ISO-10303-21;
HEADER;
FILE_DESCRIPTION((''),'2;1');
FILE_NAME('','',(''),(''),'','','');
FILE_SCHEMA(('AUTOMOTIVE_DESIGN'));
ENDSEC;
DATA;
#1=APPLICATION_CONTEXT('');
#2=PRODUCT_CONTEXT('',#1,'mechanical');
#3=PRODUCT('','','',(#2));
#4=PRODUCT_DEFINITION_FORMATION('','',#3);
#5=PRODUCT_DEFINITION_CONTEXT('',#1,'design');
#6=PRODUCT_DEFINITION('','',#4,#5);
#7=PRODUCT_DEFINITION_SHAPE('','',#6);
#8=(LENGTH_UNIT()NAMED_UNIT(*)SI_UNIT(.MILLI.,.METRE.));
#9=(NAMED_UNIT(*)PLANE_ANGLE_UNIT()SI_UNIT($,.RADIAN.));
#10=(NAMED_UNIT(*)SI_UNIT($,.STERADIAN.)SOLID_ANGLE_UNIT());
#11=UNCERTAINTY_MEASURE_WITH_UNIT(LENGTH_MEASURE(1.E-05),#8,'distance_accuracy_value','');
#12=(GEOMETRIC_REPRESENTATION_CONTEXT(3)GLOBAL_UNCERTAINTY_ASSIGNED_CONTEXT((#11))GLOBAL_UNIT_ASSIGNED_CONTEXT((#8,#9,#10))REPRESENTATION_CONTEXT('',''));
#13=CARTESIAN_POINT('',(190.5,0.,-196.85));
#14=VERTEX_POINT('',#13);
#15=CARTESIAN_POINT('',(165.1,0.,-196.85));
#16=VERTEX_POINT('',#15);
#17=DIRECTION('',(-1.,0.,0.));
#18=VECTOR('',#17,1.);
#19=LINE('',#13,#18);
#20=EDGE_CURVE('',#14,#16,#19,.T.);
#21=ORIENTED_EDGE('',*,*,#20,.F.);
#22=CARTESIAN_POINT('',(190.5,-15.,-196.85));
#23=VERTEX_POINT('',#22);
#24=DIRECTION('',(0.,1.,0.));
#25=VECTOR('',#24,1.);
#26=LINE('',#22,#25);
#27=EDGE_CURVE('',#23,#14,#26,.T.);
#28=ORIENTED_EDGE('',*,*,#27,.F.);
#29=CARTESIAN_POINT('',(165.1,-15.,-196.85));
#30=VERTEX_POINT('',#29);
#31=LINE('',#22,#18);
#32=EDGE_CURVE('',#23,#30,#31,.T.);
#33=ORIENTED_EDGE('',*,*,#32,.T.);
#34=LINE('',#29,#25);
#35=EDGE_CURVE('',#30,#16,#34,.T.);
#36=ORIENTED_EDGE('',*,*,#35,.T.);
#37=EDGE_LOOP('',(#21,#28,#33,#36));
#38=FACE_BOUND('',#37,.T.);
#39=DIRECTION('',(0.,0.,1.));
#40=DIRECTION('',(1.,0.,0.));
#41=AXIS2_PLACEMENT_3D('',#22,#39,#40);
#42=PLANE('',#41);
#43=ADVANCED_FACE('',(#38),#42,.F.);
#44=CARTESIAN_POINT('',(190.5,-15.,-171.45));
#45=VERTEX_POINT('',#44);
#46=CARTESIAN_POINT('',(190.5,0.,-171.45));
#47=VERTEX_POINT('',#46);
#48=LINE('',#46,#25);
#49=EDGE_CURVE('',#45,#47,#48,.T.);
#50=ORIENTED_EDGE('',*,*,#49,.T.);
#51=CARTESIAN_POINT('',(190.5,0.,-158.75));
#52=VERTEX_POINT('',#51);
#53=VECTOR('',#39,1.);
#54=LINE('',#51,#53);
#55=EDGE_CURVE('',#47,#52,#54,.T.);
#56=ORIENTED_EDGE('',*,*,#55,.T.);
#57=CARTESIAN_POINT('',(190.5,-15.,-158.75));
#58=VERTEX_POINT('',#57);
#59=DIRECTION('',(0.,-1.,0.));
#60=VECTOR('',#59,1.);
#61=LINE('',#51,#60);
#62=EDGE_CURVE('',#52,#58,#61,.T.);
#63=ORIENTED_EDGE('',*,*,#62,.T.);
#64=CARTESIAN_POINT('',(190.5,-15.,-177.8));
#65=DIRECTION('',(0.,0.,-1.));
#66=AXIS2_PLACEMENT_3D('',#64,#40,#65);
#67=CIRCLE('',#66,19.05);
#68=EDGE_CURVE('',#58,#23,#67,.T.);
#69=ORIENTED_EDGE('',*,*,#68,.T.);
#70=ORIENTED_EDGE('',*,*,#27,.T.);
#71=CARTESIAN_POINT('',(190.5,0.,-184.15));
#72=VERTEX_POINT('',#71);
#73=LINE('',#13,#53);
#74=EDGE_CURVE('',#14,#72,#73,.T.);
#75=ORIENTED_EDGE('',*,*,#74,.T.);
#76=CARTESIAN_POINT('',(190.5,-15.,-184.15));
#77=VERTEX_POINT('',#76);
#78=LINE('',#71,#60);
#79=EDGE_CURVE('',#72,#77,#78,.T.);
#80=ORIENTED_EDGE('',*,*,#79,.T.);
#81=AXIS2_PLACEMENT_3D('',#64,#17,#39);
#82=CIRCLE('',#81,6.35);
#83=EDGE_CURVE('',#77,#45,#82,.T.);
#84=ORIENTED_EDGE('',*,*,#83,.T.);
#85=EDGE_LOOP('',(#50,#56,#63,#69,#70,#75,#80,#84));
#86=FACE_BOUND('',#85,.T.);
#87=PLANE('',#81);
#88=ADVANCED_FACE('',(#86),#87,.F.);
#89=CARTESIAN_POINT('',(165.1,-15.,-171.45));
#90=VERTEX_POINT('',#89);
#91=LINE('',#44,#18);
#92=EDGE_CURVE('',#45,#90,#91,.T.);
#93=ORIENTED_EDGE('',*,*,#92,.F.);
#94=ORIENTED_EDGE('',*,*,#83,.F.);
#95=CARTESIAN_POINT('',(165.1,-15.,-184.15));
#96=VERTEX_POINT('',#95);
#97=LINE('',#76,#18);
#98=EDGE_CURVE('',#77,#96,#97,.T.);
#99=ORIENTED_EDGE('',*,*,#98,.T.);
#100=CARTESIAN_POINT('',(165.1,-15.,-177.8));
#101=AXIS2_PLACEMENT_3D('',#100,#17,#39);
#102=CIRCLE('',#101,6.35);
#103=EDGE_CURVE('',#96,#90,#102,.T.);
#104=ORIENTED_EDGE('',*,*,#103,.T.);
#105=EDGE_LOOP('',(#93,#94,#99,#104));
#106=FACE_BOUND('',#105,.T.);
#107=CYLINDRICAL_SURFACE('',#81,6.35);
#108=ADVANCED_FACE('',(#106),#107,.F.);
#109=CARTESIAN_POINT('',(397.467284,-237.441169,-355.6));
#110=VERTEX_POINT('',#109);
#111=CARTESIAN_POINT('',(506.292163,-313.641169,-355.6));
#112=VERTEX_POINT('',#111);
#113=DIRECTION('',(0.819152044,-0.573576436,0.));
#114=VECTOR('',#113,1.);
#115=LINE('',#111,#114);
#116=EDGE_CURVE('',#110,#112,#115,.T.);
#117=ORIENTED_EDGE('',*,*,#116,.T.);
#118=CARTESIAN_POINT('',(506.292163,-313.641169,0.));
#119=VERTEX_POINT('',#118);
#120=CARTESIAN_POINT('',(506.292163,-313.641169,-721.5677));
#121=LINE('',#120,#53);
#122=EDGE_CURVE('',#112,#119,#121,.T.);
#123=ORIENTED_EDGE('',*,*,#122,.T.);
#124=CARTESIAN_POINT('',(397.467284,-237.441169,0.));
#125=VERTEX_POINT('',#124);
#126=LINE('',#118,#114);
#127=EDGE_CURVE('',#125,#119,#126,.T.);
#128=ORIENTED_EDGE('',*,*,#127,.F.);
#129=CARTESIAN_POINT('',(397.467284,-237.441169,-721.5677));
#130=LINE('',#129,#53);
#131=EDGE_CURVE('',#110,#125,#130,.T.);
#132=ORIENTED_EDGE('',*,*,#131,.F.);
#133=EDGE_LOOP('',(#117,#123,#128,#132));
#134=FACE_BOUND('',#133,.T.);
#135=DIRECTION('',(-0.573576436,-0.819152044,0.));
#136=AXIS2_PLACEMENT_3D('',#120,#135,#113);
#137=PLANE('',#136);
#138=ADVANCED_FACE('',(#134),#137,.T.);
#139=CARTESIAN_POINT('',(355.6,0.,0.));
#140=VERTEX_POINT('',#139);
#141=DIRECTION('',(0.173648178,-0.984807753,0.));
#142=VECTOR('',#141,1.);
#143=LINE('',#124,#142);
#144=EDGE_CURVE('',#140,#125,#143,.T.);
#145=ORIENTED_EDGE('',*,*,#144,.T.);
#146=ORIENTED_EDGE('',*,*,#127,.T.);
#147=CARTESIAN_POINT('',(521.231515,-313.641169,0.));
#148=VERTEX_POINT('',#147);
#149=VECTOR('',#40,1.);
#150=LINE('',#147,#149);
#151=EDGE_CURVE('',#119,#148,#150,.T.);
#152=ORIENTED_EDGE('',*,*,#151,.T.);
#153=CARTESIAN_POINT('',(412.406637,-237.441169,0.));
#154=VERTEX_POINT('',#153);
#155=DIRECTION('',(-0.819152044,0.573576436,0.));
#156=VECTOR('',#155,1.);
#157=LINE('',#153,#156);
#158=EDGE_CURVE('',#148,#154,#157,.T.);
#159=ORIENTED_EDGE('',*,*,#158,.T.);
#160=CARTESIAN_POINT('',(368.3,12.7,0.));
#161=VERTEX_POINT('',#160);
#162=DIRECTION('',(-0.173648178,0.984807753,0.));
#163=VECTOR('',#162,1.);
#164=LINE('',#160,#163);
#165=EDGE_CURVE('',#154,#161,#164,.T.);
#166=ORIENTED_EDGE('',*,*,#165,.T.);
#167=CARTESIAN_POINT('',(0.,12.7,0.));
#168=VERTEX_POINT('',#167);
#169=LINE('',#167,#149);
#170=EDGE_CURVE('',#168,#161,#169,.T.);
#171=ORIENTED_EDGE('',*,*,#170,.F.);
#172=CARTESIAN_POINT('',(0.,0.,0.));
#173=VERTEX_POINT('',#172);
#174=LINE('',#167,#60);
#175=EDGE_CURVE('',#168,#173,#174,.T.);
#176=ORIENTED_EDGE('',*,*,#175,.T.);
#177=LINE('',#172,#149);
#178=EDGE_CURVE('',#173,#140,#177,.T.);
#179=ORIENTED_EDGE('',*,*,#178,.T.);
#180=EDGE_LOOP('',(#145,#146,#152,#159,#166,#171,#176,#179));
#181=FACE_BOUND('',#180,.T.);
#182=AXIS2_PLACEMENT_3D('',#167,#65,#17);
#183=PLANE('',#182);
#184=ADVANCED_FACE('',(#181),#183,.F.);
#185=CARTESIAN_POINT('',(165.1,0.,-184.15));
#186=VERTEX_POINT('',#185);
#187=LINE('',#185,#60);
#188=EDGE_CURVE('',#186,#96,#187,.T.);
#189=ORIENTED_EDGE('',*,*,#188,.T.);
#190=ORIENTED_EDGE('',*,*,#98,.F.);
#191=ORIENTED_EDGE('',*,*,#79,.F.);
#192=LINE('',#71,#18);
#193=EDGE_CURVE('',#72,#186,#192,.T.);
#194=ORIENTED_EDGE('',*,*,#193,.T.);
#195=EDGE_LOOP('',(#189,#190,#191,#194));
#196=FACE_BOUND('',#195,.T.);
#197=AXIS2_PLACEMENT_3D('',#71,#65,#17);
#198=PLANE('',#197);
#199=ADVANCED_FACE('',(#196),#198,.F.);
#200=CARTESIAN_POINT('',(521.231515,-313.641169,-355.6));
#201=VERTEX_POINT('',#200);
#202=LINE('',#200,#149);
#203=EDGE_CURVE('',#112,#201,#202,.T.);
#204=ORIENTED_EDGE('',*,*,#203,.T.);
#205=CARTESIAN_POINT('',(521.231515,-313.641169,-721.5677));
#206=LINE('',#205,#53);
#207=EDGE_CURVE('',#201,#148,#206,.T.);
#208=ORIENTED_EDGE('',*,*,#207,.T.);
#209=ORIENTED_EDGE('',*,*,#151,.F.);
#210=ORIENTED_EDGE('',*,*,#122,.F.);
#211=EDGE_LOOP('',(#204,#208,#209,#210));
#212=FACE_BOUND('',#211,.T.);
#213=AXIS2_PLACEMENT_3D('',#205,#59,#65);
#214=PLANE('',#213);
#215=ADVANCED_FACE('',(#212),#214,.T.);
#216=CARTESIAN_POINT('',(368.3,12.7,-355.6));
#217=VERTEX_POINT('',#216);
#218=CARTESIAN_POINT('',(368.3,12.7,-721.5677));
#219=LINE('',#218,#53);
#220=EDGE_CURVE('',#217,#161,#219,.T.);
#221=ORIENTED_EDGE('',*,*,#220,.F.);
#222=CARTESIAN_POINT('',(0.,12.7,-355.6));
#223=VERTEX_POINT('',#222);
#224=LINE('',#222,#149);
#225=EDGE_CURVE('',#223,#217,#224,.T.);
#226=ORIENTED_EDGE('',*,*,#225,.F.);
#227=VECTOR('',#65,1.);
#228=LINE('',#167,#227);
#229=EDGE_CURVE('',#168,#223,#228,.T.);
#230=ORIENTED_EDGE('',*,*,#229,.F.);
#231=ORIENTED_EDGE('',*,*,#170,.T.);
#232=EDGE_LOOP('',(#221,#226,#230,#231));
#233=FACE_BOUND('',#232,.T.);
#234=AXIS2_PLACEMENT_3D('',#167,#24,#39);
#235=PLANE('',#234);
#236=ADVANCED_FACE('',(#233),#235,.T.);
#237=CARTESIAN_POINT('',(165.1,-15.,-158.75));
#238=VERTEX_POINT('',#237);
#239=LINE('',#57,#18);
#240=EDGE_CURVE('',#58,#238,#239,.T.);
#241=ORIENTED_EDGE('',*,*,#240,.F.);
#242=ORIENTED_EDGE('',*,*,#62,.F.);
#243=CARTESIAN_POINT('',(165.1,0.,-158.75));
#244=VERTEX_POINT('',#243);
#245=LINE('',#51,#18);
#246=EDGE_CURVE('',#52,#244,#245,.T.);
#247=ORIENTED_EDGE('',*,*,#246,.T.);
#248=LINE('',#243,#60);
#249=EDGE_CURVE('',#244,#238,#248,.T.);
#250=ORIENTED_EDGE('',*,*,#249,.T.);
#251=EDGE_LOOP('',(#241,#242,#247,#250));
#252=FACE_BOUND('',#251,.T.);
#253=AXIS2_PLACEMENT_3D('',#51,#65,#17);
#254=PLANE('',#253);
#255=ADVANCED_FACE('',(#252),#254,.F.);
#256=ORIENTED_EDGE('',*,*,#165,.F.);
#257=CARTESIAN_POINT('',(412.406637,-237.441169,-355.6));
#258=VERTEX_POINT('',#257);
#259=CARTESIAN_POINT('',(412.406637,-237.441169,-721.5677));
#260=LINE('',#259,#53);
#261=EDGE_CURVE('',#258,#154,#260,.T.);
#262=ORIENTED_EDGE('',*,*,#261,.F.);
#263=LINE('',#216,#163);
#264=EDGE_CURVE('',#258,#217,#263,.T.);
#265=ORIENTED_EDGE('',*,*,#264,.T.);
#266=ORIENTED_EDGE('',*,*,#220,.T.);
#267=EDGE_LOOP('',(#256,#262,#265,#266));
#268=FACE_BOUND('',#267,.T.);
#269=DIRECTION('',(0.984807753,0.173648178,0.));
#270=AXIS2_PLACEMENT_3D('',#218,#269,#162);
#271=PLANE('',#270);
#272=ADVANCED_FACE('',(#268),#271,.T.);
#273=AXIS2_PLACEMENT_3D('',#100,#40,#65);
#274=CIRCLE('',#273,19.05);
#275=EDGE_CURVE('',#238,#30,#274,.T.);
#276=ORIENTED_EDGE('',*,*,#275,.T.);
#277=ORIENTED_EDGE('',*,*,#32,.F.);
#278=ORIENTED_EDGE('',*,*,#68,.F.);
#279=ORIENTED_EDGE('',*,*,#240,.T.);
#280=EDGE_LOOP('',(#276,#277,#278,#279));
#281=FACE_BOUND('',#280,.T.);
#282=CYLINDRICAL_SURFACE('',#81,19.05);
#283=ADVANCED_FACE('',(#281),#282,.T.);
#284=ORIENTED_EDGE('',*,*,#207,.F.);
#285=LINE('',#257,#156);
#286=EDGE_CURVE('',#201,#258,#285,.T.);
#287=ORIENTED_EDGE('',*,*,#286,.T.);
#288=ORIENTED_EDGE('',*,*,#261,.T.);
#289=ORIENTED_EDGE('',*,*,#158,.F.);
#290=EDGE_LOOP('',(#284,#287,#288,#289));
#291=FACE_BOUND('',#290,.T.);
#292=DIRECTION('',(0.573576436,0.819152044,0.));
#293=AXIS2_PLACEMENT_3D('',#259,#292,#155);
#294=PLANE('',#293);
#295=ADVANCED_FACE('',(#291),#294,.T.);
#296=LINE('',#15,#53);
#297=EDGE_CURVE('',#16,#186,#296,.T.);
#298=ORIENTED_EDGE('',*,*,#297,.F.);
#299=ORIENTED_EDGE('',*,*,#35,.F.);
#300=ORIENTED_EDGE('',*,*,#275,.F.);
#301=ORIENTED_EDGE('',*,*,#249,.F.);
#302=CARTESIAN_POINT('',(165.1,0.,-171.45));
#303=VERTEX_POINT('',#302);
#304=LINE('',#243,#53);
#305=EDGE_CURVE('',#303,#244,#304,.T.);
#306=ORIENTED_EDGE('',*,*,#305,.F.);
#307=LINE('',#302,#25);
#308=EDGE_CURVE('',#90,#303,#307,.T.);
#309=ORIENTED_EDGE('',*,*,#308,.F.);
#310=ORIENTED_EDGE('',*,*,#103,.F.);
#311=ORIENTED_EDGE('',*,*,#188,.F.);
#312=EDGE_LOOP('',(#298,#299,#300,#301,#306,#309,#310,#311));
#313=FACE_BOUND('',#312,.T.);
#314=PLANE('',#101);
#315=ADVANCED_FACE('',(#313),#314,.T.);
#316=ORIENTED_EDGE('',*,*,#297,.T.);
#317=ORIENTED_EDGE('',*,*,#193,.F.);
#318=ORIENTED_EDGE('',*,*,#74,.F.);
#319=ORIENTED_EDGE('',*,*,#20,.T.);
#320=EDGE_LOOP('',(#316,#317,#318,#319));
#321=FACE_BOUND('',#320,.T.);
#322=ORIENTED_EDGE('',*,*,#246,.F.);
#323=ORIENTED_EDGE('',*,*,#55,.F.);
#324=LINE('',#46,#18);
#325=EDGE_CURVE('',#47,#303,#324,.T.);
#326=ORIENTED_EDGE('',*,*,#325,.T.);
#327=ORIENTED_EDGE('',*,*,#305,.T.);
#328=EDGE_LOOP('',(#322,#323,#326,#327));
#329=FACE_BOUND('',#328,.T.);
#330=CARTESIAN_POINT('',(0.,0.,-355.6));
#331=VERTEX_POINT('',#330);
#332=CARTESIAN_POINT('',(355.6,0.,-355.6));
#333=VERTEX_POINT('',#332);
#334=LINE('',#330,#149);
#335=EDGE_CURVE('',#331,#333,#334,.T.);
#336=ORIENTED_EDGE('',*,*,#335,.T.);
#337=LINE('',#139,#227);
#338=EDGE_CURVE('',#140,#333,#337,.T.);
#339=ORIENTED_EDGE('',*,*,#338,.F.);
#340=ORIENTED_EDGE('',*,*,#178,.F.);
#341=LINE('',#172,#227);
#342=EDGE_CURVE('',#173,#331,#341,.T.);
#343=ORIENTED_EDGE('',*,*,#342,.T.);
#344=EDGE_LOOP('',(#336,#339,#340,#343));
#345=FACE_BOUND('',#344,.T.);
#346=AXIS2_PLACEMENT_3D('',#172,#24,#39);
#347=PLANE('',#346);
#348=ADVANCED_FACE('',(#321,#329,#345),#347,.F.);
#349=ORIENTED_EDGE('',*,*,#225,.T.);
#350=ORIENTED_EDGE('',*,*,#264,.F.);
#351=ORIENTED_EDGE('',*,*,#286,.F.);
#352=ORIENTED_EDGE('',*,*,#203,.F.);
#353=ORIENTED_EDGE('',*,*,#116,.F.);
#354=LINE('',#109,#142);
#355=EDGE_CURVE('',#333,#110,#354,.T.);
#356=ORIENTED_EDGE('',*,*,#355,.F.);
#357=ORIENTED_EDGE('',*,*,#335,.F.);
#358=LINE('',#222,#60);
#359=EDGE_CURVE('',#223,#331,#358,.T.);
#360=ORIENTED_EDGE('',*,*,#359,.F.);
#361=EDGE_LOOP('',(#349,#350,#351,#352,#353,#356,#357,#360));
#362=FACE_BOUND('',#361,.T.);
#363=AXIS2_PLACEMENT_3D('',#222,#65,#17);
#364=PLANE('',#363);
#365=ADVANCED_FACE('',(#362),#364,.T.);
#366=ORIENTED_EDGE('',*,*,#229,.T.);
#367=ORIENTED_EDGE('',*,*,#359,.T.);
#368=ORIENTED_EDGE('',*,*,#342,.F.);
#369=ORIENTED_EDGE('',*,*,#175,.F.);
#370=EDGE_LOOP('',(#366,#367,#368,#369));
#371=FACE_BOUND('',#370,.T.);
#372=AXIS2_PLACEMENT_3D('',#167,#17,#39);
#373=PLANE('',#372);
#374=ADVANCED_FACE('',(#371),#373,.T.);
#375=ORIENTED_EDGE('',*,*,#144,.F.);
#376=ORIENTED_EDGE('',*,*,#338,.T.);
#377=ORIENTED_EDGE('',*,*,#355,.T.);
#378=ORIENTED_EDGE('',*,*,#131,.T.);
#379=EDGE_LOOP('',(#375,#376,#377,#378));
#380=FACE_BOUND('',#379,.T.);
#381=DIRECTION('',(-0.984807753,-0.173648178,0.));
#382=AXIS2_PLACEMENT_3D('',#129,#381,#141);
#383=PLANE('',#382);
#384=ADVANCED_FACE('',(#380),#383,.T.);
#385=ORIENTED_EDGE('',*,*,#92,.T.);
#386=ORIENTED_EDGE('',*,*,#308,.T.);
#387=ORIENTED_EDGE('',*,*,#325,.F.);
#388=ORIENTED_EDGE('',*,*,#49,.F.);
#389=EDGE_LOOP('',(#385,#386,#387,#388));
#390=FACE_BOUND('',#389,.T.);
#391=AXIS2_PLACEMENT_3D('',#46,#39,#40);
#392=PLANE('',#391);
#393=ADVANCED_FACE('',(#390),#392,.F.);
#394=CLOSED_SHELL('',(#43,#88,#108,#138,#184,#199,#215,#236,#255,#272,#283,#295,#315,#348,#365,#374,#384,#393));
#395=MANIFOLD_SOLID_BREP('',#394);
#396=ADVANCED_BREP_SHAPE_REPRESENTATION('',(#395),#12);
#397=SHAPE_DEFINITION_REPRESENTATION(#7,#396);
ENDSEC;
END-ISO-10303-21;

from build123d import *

# Parameters (mm, degrees)
SKETCH1_W           = 355.6
SKETCH1_H           = 355.6
BOSS_EXTRUDE1_DEPTH = 12.7
BOSS_EXTRUDE2_DEPTH = 12.7
BOSS_EXTRUDE4_DEPTH = 355.6


with BuildPart() as part:
    # Sketch1 → Boss-Extrude1 (new body)
    with BuildSketch(Plane(origin=(0, 0, 0), x_dir=(1, 0, 0), z_dir=(0, 1, 0))):
        with Locations((177.8, 177.8)):
            Rectangle(SKETCH1_W, SKETCH1_H)
    extrude(amount=BOSS_EXTRUDE1_DEPTH)

    # Sketch3 → Boss-Extrude2 (add, symmetric)
    with BuildSketch(Plane(origin=(177.8, 0, 0), x_dir=(0, 0, -1), z_dir=(1, 0, 0))):
        with BuildLine():
            Line((158.75, 0), (158.75, -15))
            ThreePointArc((158.75, -15), (177.8, -34.05), (196.85, -15))
            Line((196.85, -15), (196.85, 0))
            Line((196.85, 0), (184.15, 0))
            Line((184.15, 0), (184.15, -15))
            ThreePointArc((184.15, -15), (177.8, -21.35), (171.45, -15))
            Line((171.45, -15), (171.45, 0))
            Line((171.45, 0), (158.75, 0))
        make_face()
    extrude(amount=BOSS_EXTRUDE2_DEPTH, both=True)

    # Sketch6 → Boss-Extrude4 (add)
    with BuildSketch(Plane.XY):
        Polygon((368.3, 12.7), (412.406637127, -237.441169265), (521.231515241, -313.641169265), (506.292162586, -313.641169265), (397.467284472, -237.441169265), (355.6, 0), (355.6, 12.7), align=None)
    extrude(amount=-BOSS_EXTRUDE4_DEPTH)


solid = part.part
